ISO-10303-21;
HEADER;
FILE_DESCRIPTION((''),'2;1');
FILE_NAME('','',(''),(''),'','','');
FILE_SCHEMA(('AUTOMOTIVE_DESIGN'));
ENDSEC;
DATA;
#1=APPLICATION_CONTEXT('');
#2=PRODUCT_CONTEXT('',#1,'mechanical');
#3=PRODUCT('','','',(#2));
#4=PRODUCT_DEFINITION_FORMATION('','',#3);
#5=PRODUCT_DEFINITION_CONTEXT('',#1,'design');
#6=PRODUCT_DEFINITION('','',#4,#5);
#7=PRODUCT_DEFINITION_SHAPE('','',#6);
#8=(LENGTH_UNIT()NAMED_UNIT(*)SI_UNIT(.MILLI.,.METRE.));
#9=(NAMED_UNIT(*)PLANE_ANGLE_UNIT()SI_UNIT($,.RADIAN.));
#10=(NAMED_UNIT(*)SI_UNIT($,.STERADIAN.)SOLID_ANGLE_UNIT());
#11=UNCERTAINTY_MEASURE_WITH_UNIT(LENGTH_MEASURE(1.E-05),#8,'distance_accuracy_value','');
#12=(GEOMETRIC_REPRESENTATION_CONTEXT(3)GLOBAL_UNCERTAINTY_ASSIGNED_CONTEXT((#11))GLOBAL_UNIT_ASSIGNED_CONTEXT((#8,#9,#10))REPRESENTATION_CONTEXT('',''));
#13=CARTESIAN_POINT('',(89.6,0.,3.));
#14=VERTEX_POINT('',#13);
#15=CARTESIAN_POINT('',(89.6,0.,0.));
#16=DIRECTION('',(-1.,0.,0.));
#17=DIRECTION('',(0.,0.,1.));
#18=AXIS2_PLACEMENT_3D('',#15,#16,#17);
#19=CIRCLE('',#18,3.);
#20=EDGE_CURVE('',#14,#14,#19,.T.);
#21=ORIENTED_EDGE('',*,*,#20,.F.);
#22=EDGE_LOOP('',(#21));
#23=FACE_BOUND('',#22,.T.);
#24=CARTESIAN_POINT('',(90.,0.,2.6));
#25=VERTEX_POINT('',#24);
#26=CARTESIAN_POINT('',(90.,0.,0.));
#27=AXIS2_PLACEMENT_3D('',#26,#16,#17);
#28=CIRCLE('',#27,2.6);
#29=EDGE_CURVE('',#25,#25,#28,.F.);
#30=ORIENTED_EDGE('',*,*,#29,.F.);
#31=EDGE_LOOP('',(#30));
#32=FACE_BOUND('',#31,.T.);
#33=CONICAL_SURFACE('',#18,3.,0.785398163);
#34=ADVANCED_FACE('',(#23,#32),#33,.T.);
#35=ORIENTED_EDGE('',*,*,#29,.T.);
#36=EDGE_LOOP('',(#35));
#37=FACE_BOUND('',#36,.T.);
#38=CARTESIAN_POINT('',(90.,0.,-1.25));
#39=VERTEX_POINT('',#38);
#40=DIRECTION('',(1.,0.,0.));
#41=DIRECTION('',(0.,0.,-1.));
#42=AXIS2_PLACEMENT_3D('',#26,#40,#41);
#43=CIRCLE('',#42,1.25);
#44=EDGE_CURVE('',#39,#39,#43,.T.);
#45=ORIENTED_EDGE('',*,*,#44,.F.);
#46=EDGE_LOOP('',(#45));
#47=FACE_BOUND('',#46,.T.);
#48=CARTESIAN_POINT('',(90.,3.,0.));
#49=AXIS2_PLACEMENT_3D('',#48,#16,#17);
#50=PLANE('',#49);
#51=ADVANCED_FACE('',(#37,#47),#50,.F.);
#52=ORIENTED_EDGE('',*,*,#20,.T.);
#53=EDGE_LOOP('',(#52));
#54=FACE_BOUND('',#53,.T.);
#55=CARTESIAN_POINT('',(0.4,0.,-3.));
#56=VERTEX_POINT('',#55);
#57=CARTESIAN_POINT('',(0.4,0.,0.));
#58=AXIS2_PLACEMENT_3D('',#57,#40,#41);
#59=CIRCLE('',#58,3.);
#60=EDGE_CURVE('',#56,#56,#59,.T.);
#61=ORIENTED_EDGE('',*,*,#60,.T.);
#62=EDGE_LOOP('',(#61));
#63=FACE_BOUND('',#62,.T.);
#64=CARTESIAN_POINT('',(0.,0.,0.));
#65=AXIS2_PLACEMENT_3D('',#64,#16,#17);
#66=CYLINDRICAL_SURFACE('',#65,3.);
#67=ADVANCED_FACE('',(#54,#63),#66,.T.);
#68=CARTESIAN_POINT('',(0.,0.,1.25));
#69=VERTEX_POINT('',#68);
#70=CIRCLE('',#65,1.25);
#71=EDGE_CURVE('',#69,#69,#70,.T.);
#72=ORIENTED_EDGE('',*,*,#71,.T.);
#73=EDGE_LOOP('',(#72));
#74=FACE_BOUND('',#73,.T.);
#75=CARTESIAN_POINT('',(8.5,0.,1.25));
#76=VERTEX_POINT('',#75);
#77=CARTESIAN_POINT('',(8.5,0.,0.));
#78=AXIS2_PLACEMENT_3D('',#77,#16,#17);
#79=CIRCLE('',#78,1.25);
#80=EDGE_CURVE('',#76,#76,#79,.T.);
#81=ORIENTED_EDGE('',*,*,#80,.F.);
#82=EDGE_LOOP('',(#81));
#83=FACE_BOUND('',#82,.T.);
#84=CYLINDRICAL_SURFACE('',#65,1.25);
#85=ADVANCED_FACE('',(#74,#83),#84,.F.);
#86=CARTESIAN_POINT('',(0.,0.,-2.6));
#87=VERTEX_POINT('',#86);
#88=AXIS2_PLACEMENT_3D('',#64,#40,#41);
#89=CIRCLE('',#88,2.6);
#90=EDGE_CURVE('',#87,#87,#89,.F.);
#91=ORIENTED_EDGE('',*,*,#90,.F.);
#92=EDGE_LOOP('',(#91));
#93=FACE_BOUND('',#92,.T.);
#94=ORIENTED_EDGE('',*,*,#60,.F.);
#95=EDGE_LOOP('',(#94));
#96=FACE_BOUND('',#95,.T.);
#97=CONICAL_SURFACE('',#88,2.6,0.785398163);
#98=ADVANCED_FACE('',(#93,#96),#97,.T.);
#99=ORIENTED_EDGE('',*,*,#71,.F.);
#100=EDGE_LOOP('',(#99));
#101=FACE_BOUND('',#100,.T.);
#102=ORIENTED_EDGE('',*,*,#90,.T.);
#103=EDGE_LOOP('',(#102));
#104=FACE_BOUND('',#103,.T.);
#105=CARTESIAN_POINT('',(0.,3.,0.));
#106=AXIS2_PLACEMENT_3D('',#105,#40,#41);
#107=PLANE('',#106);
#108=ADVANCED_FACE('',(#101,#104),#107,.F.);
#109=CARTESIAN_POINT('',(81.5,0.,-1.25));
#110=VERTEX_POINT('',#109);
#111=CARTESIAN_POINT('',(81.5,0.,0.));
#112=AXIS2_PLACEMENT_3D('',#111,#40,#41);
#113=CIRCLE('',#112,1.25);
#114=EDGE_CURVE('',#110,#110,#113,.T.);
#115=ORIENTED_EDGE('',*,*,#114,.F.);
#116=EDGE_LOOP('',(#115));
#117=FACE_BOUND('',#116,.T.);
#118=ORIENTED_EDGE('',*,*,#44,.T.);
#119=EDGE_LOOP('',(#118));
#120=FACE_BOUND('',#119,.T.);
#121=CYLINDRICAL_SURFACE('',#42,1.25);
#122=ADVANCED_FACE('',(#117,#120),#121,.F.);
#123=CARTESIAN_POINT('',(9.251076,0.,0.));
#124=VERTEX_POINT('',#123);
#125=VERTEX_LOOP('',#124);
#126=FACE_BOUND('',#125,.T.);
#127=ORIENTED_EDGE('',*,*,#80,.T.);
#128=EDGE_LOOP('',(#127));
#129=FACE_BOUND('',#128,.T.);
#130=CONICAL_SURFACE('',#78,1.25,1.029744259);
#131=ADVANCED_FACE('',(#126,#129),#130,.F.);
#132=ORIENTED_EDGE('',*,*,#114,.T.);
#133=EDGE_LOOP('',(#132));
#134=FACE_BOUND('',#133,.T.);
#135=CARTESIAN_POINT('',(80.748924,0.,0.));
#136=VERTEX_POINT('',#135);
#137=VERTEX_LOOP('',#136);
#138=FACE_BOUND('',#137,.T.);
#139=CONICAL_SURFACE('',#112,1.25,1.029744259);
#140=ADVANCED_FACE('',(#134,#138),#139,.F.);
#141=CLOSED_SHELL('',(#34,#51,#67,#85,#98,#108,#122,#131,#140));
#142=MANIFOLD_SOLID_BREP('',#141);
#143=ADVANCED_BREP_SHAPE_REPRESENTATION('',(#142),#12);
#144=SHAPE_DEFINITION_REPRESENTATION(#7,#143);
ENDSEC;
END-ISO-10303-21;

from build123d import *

# Parameters (mm, degrees)
SKETCH1_W           = 90
SKETCH1_H           = 3
CHAMFER1_SIZE       = 0.4
TAPPED_HOLE10_D     = 2.5
TAPPED_HOLE10_DEPTH = 8.5
TAPPED_HOLE10_TIP   = 0.751075774
TAPPED_HOLE11_D     = 2.5
TAPPED_HOLE11_DEPTH = 8.5
TAPPED_HOLE11_TIP   = 0.751075774


with BuildPart() as part:
    # Sketch1 → Revolve1 (revolve)
    with BuildSketch(Plane.XY, mode=Mode.PRIVATE) as revolve1_sk:
        with Locations((45, 1.5)):
            Rectangle(SKETCH1_W, SKETCH1_H)
    revolve(revolve1_sk.sketch.rotate(Axis((0, 0, 0), (1, 0, 0)), 90), axis=Axis((0, 0, 0), (1, 0, 0)))

    # Chamfer1
    chamfer1_edges = [part.edges().sort_by_distance(p)[0] for p in [
        (0, 0, -3),
        (90, 0, -3),
    ]]
    chamfer(chamfer1_edges, length=CHAMFER1_SIZE)

    # Tapped Hole10
    with Locations(Plane.ZY):
        with Locations((0, 0)):
            Hole(TAPPED_HOLE10_D / 2, depth=TAPPED_HOLE10_DEPTH)
            with Locations((0, 0, -(TAPPED_HOLE10_DEPTH + TAPPED_HOLE10_TIP / 2))):  # 118° drill point
                Cone(0, TAPPED_HOLE10_D / 2, TAPPED_HOLE10_TIP, mode=Mode.SUBTRACT)

    # Tapped Hole11
    with Locations(Plane(origin=(90, 0, 0), x_dir=(0, 0, -1), z_dir=(1, 0, 0))):
        with Locations((0, 0)):
            Hole(TAPPED_HOLE11_D / 2, depth=TAPPED_HOLE11_DEPTH)
            with Locations((0, 0, -(TAPPED_HOLE11_DEPTH + TAPPED_HOLE11_TIP / 2))):  # 118° drill point
                Cone(0, TAPPED_HOLE11_D / 2, TAPPED_HOLE11_TIP, mode=Mode.SUBTRACT)


solid = part.part
